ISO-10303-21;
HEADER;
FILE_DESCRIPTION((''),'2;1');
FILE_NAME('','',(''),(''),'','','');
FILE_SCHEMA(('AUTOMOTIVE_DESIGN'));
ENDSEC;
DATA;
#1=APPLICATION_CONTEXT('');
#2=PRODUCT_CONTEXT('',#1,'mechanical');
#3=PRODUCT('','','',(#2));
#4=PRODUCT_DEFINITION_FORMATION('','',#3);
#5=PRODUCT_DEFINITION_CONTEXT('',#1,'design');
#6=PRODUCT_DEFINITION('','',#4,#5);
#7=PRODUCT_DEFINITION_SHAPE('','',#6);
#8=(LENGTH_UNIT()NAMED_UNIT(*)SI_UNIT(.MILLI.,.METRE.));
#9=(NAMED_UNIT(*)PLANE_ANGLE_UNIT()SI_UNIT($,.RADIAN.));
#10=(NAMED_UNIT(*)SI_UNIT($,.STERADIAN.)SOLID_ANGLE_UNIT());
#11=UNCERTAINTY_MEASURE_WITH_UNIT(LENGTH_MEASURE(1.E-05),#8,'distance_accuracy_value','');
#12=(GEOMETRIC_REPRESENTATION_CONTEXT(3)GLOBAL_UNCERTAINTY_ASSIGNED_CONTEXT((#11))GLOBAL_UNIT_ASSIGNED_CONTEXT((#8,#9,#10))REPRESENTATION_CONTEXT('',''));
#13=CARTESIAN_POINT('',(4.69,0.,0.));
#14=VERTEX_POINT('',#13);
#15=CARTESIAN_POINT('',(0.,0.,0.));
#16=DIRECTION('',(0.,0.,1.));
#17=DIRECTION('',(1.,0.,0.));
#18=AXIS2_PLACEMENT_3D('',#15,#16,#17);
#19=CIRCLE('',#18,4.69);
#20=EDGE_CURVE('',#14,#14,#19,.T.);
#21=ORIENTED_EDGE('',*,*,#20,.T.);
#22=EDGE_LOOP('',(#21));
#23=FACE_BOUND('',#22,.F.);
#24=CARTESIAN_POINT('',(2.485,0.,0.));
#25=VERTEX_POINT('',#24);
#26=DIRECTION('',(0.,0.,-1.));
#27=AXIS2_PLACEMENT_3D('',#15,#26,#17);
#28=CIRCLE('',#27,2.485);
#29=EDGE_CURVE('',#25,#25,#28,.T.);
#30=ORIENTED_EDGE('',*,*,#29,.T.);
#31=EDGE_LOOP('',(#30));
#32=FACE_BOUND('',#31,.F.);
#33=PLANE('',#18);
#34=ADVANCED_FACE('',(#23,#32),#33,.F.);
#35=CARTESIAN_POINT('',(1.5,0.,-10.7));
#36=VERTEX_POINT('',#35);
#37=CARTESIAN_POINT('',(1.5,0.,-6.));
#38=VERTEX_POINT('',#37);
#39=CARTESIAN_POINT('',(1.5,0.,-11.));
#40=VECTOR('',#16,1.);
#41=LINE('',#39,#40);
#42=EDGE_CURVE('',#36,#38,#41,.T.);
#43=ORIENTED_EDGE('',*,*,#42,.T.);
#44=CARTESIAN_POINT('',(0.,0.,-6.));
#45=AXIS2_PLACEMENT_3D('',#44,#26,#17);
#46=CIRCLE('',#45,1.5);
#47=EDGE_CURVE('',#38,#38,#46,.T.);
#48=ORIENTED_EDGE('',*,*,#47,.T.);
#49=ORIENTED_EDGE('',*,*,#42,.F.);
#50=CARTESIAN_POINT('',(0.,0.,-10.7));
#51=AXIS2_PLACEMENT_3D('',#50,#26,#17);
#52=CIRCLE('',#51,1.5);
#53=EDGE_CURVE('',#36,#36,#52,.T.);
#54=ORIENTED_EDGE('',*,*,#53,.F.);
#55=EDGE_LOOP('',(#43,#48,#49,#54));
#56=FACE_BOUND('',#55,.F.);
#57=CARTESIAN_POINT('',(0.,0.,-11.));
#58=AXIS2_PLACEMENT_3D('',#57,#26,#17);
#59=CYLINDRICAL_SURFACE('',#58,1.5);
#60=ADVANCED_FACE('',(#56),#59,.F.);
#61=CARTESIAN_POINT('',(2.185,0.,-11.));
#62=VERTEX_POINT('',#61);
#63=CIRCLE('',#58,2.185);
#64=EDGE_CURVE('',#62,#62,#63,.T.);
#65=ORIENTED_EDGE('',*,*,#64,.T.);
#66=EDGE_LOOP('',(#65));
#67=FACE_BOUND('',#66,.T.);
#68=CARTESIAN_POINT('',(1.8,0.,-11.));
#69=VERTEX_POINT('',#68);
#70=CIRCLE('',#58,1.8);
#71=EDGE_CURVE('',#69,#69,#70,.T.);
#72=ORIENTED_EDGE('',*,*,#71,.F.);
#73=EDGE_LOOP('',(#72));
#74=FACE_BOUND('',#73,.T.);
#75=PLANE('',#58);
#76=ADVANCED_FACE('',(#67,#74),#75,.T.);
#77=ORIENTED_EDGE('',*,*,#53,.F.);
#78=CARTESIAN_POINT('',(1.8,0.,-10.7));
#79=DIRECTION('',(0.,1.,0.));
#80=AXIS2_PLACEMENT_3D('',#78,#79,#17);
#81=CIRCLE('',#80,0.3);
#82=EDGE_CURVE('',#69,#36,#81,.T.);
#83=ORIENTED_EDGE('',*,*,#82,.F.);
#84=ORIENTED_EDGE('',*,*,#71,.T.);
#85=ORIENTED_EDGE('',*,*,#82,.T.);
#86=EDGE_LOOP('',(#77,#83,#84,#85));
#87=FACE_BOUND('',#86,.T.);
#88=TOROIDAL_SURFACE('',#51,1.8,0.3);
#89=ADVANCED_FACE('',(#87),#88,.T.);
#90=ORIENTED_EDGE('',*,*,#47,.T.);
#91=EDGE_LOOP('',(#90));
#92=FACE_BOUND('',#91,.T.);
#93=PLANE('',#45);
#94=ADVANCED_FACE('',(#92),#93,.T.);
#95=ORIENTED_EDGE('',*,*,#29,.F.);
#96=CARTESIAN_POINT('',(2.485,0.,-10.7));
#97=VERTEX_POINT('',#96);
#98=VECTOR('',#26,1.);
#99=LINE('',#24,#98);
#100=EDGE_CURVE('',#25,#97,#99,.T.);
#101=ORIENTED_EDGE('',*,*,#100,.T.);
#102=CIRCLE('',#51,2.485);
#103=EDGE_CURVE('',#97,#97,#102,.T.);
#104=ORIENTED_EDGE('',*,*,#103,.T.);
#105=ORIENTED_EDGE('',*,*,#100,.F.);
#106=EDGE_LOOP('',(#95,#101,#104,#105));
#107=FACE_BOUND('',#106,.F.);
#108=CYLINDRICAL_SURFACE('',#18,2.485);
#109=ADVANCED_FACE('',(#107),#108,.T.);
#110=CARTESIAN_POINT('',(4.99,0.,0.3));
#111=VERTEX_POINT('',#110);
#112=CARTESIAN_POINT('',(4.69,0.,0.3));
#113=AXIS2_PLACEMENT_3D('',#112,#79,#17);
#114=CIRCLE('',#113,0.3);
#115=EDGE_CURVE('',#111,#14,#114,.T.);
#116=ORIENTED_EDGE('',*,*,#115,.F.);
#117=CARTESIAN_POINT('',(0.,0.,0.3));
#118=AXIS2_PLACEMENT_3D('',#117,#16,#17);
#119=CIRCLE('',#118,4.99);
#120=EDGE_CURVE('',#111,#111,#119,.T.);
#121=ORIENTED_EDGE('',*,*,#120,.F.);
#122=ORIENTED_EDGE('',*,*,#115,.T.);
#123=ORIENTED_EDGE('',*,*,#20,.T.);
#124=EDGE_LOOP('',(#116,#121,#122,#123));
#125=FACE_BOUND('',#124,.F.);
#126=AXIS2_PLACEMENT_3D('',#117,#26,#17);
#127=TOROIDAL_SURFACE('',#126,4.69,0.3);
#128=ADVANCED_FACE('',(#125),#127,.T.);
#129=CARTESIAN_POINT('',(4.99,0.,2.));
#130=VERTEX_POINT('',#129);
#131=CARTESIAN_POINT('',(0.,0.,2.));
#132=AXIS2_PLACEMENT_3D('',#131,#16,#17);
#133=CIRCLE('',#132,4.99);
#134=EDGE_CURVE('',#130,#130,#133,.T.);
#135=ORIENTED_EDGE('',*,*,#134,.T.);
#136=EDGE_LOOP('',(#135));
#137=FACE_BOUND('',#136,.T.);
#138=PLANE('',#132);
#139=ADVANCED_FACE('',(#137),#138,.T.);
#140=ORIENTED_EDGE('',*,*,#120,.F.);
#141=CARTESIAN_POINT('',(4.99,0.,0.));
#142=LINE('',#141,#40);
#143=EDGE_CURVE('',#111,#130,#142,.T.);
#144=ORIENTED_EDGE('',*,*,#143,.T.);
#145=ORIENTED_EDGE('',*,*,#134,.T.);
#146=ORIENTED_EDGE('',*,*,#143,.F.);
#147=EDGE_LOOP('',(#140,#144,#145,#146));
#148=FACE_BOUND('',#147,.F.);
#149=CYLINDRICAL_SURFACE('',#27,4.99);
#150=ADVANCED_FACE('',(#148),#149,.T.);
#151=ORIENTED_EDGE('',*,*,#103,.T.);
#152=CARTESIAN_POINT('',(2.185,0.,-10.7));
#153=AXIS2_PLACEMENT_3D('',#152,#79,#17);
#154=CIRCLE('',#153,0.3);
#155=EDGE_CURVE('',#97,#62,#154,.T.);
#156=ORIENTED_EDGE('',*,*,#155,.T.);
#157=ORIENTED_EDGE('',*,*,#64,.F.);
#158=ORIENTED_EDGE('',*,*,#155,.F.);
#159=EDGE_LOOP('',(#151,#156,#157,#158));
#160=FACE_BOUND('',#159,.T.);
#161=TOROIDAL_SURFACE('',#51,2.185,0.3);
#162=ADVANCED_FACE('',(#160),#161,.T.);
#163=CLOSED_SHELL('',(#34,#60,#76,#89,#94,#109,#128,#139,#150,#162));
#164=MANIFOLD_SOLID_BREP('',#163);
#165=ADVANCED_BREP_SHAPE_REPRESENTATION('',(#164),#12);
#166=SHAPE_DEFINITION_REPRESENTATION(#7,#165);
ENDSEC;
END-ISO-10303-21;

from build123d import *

# Parameters (mm, degrees)
F0_R     = 4.99
F1_DEPTH = 2
F2_R     = 2.485
F3_DEPTH = 11
F4_R     = 1.5
F5_DEPTH = 5
F6_R     = 0.3


with BuildPart() as f1:
    # F0 (on Top) → F1 (new body)
    with BuildSketch(Plane.XY):
        Circle(F0_R)
    extrude(amount=F1_DEPTH)

    # F2 (on face) → F3 (join)
    with BuildSketch(Plane(origin=(0, 0, 0), x_dir=(1, 0, 0), z_dir=(0, 0, -1))):
        Circle(F2_R)
    extrude(amount=F3_DEPTH)

    # F4 (on face) → F5 (cut)
    with BuildSketch(Plane(origin=(0, 0, -11), x_dir=(1, 0, 0), z_dir=(0, 0, -1))):
        Circle(F4_R)
    extrude(amount=-F5_DEPTH, mode=Mode.SUBTRACT)

    # F6
    f6_edges = [f1.edges().sort_by_distance(p)[0] for p in [
        (-2.485, 0, -11),
        (-1.5, 0, -11),
        (-4.99, 0, 0),
    ]]
    fillet(f6_edges, radius=F6_R)


solid = f1.part
